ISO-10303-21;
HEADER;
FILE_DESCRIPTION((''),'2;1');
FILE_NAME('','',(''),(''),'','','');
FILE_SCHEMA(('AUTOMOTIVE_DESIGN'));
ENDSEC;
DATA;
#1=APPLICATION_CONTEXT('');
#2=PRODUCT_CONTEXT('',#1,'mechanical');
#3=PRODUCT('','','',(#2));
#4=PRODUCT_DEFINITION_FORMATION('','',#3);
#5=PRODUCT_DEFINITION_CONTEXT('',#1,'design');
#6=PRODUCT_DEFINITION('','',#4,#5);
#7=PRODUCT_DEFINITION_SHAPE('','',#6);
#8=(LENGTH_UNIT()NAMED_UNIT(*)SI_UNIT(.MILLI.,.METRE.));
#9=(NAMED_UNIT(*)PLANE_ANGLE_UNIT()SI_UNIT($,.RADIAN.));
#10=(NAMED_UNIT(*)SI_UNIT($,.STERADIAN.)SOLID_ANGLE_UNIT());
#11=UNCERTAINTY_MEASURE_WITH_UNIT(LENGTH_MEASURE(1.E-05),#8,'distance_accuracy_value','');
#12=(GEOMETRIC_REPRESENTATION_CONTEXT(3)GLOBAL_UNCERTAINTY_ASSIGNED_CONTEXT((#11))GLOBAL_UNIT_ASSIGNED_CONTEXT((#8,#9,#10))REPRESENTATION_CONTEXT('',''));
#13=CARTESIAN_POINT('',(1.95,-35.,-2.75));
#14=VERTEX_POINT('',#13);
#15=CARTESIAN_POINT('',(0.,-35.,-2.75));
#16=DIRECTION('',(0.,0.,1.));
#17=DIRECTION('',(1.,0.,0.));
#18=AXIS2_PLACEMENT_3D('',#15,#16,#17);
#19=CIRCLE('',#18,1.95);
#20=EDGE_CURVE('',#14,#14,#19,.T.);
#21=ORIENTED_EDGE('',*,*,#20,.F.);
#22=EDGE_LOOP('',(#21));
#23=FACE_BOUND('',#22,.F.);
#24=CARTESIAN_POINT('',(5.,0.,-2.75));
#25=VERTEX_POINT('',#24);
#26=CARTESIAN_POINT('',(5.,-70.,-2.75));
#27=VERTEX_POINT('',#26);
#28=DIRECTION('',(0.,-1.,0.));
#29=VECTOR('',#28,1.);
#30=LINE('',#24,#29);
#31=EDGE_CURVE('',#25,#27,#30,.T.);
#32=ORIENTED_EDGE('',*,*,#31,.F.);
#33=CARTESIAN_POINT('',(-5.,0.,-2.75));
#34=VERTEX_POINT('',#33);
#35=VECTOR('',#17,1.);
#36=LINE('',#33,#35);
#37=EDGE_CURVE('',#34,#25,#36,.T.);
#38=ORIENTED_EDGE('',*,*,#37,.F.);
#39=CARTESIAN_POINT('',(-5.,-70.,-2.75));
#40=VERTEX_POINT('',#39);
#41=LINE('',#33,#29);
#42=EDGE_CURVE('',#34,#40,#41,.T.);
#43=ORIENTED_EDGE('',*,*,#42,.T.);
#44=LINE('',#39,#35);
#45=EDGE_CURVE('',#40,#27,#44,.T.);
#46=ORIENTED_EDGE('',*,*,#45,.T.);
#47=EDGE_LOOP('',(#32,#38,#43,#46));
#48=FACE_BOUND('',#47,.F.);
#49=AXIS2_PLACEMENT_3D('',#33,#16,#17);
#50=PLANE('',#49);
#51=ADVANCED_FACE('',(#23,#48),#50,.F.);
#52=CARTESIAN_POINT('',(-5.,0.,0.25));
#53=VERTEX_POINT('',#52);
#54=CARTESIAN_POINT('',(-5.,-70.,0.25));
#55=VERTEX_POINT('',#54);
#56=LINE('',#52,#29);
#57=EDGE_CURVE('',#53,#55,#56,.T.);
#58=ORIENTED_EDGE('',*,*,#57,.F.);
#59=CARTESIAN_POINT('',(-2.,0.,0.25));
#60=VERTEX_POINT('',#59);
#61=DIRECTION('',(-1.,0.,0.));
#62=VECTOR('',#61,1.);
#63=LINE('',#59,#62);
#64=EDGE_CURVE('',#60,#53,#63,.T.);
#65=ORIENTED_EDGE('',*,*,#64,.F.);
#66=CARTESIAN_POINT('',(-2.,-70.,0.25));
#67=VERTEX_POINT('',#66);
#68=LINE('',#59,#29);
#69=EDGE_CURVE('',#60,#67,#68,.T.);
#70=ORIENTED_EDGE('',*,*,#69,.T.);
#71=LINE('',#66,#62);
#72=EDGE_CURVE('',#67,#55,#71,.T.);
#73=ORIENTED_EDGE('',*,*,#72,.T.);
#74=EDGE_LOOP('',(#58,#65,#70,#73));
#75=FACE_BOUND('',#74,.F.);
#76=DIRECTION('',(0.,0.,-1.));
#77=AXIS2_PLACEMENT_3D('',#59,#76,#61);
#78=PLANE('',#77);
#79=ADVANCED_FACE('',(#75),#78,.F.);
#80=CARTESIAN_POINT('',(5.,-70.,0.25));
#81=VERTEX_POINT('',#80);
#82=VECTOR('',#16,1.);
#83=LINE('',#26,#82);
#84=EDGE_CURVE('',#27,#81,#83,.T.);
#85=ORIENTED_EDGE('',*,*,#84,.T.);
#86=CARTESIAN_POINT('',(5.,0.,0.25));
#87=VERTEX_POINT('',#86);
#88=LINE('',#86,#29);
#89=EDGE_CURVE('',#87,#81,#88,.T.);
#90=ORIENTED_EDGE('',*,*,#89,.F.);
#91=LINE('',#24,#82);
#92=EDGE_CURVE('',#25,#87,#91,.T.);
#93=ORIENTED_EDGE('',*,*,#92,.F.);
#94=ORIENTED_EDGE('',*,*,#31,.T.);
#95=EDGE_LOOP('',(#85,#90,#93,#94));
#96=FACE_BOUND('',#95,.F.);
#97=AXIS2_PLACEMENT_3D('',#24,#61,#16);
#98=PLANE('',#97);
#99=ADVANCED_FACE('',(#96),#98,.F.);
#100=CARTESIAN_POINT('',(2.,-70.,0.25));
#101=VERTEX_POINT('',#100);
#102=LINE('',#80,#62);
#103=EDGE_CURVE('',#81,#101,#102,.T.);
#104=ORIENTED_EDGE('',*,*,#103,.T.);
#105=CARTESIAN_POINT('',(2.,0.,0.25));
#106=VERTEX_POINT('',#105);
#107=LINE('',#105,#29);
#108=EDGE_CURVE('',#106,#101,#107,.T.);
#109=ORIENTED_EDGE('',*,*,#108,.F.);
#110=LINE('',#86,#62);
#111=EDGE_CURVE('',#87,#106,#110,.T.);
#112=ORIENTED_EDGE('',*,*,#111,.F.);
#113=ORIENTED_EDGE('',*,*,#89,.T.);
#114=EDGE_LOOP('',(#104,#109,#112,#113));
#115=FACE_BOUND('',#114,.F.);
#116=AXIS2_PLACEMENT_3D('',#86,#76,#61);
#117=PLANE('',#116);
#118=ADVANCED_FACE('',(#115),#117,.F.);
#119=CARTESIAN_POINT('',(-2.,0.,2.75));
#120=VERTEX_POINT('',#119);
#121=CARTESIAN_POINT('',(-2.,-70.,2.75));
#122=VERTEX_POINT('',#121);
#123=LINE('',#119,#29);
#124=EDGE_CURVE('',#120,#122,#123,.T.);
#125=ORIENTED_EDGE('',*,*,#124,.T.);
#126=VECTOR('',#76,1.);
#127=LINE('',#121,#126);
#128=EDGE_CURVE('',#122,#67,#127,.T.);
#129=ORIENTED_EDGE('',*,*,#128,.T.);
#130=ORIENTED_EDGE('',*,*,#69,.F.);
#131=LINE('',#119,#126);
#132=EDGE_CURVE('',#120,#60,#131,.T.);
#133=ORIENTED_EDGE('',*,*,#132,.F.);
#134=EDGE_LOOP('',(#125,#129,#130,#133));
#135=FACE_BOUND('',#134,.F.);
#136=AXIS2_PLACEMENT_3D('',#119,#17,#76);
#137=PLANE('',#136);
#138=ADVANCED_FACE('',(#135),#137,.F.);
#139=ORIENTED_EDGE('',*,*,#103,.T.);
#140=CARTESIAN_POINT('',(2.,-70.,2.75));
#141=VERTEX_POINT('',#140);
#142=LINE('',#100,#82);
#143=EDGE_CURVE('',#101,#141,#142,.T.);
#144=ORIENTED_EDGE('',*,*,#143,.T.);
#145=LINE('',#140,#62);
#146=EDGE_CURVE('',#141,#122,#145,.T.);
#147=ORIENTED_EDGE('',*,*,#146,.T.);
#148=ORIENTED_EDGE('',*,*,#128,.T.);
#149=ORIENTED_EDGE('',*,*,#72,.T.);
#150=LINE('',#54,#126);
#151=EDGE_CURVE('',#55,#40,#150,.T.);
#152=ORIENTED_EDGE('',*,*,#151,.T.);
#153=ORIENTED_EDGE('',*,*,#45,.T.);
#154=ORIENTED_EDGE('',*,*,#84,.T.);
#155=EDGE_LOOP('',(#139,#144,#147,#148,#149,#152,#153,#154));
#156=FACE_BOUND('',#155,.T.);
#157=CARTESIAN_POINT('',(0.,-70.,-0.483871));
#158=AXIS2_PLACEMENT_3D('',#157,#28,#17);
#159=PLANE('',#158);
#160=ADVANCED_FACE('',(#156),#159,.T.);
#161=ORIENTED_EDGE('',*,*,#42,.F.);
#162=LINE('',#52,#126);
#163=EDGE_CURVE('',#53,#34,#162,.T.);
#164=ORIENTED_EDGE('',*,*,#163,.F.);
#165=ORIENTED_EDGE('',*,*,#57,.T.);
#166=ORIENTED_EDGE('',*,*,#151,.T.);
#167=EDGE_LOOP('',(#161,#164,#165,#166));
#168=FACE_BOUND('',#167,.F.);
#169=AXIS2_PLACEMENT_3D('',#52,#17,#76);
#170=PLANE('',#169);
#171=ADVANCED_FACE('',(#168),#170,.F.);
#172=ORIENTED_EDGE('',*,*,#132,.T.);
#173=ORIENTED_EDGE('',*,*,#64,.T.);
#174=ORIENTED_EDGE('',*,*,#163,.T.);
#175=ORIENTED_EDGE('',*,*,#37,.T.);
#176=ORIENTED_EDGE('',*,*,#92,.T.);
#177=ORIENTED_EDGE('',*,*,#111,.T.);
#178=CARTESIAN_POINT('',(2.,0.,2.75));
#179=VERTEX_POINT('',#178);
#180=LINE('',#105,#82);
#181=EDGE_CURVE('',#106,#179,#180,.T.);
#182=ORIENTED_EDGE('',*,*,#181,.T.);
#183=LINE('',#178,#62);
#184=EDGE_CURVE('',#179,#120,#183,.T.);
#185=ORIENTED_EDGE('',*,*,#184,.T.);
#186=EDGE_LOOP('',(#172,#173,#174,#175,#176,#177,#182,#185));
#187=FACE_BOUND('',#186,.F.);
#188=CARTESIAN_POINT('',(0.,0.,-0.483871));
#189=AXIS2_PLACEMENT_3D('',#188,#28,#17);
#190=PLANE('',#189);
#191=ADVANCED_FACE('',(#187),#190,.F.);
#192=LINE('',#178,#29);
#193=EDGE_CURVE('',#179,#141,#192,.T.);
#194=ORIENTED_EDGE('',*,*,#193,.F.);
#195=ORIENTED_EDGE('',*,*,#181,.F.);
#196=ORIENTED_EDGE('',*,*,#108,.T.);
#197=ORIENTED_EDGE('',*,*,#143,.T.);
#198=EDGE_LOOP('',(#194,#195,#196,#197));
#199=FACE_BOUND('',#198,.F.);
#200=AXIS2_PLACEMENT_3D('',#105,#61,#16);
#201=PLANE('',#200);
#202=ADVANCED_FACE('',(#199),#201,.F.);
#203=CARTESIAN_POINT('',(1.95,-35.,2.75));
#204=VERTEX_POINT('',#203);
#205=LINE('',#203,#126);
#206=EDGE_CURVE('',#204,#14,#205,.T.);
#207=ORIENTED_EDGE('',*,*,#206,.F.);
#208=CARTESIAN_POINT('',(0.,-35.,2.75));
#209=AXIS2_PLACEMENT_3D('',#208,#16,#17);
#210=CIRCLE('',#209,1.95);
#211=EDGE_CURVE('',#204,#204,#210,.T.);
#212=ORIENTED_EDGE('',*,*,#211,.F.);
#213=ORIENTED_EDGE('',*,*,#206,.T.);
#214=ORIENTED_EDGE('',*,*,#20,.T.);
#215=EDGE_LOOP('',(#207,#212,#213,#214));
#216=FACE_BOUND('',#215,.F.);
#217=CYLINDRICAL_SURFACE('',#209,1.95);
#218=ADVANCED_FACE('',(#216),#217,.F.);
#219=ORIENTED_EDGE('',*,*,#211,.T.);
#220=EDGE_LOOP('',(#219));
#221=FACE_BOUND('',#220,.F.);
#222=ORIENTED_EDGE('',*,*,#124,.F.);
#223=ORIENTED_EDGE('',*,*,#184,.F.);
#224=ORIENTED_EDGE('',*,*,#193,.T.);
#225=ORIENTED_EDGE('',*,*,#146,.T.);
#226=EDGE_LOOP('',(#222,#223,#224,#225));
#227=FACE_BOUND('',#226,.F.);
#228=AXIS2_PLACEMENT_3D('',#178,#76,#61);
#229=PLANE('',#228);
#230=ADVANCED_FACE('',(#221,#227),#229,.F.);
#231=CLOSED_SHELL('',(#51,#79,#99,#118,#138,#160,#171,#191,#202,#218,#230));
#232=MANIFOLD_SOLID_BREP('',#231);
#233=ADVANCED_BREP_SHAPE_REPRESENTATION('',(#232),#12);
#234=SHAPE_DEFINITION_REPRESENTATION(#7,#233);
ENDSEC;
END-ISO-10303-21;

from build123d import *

# Parameters (mm, degrees)
F1_DEPTH = 70
F2_R     = 1.95
F3_DEPTH = 25


with BuildPart() as f1:
    # F0 (on Front) → F1 (new body)
    with BuildSketch(Plane.XZ):
        Polygon((-5, 0.25), (-5, -2.75), (5, -2.75), (5, 0.25), (2.115, 0.25), (2, 0.25), (2, 2.75), (0, 2.75), (-2, 2.75), (-2, 0.25), align=None)
    extrude(amount=F1_DEPTH)

    # F2 (on face) → F3 (cut)
    with BuildSketch(Plane.XY.offset(2.75)):
        with Locations((0, -35)):
            Circle(F2_R)
    extrude(amount=-F3_DEPTH, mode=Mode.SUBTRACT)


solid = f1.part
